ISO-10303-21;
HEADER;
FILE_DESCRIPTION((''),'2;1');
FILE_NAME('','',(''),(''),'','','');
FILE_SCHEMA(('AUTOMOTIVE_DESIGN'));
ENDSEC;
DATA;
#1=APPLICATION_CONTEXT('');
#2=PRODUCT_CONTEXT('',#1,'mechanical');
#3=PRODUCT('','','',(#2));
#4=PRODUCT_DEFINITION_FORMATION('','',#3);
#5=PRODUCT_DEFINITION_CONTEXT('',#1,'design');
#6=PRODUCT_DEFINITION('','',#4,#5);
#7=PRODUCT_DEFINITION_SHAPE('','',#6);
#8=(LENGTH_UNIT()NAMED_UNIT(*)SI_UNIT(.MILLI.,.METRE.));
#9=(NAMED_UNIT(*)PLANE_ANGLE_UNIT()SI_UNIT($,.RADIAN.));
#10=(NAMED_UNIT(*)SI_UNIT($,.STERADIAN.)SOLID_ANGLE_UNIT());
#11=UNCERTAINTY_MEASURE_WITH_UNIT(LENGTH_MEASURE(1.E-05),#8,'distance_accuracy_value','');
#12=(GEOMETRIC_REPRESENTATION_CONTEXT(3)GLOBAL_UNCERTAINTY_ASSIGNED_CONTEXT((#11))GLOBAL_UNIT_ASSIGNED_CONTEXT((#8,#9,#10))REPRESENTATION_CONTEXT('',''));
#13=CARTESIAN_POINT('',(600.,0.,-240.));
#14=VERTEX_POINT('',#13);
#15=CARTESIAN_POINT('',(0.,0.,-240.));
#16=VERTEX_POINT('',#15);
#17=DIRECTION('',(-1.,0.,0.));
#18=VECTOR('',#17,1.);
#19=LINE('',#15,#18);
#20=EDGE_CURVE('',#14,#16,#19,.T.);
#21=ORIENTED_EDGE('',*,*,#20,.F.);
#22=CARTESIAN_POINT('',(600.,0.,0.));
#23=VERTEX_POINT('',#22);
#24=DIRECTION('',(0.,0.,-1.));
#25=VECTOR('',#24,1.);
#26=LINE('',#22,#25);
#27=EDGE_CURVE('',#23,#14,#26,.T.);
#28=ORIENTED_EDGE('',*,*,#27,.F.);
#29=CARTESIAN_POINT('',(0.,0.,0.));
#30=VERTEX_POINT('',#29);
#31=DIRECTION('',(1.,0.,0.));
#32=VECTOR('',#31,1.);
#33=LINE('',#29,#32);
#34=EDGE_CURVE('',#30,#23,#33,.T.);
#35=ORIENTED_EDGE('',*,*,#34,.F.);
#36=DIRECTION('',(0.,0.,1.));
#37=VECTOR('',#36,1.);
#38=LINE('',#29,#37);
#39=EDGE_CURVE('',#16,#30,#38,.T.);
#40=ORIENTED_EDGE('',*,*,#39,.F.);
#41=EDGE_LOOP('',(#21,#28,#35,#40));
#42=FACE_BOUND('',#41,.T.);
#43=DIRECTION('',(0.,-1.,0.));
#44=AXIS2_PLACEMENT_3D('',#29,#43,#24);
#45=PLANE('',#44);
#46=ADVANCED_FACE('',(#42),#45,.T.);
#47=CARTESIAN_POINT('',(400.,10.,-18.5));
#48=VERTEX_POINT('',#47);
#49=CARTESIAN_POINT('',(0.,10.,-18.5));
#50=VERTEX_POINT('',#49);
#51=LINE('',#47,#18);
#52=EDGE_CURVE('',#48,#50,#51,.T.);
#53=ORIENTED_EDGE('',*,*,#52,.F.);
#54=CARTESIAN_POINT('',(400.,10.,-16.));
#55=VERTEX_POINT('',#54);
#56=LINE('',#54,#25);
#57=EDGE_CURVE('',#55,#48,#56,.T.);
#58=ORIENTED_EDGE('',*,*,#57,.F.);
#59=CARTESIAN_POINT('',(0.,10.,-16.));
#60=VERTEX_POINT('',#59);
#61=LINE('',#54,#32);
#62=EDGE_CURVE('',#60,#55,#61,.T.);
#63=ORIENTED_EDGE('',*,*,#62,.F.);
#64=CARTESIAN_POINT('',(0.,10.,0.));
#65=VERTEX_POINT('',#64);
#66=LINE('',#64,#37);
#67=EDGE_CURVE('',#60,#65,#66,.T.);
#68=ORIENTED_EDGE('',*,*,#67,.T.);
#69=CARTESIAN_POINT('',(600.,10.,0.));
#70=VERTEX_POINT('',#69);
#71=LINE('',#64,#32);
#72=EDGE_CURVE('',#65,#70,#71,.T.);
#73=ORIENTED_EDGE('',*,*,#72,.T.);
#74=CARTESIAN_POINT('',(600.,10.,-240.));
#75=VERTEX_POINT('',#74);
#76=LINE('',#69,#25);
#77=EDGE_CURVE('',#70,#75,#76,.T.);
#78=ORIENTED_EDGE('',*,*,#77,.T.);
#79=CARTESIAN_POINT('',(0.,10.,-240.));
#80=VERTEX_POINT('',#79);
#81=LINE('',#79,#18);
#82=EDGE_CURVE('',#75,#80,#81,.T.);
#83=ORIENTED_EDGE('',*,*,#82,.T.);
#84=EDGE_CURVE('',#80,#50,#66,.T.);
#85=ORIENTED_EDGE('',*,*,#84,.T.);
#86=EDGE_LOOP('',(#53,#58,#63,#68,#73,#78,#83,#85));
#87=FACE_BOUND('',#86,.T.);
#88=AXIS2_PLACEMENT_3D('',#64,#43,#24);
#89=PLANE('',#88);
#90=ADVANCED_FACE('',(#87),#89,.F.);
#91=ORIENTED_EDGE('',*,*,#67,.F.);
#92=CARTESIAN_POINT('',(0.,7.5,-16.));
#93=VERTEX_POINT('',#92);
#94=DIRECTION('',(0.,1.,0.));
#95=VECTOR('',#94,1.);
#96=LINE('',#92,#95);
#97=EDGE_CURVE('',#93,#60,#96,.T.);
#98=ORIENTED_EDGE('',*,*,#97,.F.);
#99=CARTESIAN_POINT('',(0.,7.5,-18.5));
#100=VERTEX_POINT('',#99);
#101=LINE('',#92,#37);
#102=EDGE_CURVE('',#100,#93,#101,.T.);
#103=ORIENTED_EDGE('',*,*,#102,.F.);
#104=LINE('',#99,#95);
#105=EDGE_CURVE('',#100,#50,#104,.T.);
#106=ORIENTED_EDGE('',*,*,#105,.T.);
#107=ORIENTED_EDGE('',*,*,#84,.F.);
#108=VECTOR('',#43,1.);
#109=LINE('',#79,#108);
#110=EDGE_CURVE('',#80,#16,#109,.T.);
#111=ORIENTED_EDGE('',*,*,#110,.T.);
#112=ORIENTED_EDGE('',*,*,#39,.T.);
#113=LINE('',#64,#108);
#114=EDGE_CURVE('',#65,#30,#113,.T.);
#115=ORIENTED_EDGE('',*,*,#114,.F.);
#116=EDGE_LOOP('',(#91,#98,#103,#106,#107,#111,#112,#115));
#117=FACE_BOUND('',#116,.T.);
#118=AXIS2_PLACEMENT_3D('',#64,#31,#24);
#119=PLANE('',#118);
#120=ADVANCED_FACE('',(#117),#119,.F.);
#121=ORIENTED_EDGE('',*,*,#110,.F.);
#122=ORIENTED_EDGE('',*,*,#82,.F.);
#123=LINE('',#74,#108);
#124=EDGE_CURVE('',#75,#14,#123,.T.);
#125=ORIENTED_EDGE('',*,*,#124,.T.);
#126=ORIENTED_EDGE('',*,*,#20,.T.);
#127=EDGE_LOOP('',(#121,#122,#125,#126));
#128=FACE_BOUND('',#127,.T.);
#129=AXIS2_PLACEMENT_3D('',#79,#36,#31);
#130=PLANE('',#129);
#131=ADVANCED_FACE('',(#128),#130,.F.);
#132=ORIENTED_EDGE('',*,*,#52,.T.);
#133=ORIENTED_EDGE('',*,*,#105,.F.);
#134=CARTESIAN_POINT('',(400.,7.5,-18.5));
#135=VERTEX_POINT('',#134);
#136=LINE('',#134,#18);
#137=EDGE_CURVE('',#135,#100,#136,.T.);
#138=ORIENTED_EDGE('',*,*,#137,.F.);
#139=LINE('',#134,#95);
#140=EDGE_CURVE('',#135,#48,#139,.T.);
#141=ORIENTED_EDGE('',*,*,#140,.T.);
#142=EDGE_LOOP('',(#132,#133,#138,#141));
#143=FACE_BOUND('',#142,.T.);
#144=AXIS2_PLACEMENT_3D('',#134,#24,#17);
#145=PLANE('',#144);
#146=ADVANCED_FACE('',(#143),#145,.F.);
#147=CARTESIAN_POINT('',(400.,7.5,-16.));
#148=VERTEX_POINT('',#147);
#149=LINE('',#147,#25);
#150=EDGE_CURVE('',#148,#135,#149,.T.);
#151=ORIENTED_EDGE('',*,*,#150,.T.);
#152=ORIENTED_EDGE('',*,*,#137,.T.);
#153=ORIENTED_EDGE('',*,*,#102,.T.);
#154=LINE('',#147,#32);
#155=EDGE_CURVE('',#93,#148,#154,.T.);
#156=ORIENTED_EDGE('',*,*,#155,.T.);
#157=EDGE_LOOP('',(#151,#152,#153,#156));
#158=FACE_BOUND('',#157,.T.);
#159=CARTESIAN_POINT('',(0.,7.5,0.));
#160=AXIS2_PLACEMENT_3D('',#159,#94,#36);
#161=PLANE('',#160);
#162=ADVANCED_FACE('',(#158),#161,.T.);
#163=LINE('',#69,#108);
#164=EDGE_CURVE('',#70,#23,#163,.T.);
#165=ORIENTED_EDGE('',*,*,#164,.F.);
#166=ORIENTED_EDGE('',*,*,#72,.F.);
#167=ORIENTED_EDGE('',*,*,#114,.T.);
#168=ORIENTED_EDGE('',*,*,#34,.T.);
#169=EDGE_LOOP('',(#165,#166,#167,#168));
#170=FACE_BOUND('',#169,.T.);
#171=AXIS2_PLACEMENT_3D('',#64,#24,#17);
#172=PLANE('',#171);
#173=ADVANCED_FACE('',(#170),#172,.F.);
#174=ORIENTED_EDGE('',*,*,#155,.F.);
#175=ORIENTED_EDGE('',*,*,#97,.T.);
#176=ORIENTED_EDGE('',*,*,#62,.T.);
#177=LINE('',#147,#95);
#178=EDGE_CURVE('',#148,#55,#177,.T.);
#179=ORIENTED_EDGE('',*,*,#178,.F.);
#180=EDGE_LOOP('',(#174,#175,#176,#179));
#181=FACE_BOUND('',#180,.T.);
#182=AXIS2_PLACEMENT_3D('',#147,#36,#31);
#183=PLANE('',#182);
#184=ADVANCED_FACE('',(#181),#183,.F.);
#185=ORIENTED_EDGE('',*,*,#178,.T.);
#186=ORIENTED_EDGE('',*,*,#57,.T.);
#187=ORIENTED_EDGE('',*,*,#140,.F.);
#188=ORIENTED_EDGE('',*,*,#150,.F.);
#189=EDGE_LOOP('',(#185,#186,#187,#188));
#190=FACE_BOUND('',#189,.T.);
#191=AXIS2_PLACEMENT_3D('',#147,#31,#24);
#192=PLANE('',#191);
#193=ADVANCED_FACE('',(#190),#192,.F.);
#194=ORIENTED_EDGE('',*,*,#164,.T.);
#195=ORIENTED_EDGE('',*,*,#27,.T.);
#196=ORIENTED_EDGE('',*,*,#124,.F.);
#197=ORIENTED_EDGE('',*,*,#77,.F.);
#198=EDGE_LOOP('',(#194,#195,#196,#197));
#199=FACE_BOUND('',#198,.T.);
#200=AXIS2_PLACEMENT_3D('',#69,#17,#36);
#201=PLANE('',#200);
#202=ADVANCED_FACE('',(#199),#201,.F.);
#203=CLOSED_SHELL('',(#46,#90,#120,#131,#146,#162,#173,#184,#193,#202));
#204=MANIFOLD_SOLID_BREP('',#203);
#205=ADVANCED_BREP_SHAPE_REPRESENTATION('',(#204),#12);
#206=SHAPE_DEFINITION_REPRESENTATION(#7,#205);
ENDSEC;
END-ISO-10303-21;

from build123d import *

# Parameters (mm, degrees)
SKETCH1_W           = 600
SKETCH1_H           = 240
BOSS_EXTRUDE1_DEPTH = 10
SKETCH2_W           = 400
SKETCH2_H           = 2.5
CUT_EXTRUDE1_DEPTH  = 2.5


with BuildPart() as part:
    # Sketch1 → Boss-Extrude1 (new body)
    with BuildSketch(Plane(origin=(0, 0, 0), x_dir=(1, 0, 0), z_dir=(0, 1, 0))):
        with Locations((300, 120)):
            Rectangle(SKETCH1_W, SKETCH1_H)
    extrude(amount=BOSS_EXTRUDE1_DEPTH)

    # Sketch2 → Cut-Extrude1 (cut)
    with BuildSketch(Plane(origin=(0, 10, 0), x_dir=(1, 0, 0), z_dir=(0, 1, 0))):
        with Locations((200, 17.25)):
            Rectangle(SKETCH2_W, SKETCH2_H)
    extrude(amount=-CUT_EXTRUDE1_DEPTH, mode=Mode.SUBTRACT)


solid = part.part
